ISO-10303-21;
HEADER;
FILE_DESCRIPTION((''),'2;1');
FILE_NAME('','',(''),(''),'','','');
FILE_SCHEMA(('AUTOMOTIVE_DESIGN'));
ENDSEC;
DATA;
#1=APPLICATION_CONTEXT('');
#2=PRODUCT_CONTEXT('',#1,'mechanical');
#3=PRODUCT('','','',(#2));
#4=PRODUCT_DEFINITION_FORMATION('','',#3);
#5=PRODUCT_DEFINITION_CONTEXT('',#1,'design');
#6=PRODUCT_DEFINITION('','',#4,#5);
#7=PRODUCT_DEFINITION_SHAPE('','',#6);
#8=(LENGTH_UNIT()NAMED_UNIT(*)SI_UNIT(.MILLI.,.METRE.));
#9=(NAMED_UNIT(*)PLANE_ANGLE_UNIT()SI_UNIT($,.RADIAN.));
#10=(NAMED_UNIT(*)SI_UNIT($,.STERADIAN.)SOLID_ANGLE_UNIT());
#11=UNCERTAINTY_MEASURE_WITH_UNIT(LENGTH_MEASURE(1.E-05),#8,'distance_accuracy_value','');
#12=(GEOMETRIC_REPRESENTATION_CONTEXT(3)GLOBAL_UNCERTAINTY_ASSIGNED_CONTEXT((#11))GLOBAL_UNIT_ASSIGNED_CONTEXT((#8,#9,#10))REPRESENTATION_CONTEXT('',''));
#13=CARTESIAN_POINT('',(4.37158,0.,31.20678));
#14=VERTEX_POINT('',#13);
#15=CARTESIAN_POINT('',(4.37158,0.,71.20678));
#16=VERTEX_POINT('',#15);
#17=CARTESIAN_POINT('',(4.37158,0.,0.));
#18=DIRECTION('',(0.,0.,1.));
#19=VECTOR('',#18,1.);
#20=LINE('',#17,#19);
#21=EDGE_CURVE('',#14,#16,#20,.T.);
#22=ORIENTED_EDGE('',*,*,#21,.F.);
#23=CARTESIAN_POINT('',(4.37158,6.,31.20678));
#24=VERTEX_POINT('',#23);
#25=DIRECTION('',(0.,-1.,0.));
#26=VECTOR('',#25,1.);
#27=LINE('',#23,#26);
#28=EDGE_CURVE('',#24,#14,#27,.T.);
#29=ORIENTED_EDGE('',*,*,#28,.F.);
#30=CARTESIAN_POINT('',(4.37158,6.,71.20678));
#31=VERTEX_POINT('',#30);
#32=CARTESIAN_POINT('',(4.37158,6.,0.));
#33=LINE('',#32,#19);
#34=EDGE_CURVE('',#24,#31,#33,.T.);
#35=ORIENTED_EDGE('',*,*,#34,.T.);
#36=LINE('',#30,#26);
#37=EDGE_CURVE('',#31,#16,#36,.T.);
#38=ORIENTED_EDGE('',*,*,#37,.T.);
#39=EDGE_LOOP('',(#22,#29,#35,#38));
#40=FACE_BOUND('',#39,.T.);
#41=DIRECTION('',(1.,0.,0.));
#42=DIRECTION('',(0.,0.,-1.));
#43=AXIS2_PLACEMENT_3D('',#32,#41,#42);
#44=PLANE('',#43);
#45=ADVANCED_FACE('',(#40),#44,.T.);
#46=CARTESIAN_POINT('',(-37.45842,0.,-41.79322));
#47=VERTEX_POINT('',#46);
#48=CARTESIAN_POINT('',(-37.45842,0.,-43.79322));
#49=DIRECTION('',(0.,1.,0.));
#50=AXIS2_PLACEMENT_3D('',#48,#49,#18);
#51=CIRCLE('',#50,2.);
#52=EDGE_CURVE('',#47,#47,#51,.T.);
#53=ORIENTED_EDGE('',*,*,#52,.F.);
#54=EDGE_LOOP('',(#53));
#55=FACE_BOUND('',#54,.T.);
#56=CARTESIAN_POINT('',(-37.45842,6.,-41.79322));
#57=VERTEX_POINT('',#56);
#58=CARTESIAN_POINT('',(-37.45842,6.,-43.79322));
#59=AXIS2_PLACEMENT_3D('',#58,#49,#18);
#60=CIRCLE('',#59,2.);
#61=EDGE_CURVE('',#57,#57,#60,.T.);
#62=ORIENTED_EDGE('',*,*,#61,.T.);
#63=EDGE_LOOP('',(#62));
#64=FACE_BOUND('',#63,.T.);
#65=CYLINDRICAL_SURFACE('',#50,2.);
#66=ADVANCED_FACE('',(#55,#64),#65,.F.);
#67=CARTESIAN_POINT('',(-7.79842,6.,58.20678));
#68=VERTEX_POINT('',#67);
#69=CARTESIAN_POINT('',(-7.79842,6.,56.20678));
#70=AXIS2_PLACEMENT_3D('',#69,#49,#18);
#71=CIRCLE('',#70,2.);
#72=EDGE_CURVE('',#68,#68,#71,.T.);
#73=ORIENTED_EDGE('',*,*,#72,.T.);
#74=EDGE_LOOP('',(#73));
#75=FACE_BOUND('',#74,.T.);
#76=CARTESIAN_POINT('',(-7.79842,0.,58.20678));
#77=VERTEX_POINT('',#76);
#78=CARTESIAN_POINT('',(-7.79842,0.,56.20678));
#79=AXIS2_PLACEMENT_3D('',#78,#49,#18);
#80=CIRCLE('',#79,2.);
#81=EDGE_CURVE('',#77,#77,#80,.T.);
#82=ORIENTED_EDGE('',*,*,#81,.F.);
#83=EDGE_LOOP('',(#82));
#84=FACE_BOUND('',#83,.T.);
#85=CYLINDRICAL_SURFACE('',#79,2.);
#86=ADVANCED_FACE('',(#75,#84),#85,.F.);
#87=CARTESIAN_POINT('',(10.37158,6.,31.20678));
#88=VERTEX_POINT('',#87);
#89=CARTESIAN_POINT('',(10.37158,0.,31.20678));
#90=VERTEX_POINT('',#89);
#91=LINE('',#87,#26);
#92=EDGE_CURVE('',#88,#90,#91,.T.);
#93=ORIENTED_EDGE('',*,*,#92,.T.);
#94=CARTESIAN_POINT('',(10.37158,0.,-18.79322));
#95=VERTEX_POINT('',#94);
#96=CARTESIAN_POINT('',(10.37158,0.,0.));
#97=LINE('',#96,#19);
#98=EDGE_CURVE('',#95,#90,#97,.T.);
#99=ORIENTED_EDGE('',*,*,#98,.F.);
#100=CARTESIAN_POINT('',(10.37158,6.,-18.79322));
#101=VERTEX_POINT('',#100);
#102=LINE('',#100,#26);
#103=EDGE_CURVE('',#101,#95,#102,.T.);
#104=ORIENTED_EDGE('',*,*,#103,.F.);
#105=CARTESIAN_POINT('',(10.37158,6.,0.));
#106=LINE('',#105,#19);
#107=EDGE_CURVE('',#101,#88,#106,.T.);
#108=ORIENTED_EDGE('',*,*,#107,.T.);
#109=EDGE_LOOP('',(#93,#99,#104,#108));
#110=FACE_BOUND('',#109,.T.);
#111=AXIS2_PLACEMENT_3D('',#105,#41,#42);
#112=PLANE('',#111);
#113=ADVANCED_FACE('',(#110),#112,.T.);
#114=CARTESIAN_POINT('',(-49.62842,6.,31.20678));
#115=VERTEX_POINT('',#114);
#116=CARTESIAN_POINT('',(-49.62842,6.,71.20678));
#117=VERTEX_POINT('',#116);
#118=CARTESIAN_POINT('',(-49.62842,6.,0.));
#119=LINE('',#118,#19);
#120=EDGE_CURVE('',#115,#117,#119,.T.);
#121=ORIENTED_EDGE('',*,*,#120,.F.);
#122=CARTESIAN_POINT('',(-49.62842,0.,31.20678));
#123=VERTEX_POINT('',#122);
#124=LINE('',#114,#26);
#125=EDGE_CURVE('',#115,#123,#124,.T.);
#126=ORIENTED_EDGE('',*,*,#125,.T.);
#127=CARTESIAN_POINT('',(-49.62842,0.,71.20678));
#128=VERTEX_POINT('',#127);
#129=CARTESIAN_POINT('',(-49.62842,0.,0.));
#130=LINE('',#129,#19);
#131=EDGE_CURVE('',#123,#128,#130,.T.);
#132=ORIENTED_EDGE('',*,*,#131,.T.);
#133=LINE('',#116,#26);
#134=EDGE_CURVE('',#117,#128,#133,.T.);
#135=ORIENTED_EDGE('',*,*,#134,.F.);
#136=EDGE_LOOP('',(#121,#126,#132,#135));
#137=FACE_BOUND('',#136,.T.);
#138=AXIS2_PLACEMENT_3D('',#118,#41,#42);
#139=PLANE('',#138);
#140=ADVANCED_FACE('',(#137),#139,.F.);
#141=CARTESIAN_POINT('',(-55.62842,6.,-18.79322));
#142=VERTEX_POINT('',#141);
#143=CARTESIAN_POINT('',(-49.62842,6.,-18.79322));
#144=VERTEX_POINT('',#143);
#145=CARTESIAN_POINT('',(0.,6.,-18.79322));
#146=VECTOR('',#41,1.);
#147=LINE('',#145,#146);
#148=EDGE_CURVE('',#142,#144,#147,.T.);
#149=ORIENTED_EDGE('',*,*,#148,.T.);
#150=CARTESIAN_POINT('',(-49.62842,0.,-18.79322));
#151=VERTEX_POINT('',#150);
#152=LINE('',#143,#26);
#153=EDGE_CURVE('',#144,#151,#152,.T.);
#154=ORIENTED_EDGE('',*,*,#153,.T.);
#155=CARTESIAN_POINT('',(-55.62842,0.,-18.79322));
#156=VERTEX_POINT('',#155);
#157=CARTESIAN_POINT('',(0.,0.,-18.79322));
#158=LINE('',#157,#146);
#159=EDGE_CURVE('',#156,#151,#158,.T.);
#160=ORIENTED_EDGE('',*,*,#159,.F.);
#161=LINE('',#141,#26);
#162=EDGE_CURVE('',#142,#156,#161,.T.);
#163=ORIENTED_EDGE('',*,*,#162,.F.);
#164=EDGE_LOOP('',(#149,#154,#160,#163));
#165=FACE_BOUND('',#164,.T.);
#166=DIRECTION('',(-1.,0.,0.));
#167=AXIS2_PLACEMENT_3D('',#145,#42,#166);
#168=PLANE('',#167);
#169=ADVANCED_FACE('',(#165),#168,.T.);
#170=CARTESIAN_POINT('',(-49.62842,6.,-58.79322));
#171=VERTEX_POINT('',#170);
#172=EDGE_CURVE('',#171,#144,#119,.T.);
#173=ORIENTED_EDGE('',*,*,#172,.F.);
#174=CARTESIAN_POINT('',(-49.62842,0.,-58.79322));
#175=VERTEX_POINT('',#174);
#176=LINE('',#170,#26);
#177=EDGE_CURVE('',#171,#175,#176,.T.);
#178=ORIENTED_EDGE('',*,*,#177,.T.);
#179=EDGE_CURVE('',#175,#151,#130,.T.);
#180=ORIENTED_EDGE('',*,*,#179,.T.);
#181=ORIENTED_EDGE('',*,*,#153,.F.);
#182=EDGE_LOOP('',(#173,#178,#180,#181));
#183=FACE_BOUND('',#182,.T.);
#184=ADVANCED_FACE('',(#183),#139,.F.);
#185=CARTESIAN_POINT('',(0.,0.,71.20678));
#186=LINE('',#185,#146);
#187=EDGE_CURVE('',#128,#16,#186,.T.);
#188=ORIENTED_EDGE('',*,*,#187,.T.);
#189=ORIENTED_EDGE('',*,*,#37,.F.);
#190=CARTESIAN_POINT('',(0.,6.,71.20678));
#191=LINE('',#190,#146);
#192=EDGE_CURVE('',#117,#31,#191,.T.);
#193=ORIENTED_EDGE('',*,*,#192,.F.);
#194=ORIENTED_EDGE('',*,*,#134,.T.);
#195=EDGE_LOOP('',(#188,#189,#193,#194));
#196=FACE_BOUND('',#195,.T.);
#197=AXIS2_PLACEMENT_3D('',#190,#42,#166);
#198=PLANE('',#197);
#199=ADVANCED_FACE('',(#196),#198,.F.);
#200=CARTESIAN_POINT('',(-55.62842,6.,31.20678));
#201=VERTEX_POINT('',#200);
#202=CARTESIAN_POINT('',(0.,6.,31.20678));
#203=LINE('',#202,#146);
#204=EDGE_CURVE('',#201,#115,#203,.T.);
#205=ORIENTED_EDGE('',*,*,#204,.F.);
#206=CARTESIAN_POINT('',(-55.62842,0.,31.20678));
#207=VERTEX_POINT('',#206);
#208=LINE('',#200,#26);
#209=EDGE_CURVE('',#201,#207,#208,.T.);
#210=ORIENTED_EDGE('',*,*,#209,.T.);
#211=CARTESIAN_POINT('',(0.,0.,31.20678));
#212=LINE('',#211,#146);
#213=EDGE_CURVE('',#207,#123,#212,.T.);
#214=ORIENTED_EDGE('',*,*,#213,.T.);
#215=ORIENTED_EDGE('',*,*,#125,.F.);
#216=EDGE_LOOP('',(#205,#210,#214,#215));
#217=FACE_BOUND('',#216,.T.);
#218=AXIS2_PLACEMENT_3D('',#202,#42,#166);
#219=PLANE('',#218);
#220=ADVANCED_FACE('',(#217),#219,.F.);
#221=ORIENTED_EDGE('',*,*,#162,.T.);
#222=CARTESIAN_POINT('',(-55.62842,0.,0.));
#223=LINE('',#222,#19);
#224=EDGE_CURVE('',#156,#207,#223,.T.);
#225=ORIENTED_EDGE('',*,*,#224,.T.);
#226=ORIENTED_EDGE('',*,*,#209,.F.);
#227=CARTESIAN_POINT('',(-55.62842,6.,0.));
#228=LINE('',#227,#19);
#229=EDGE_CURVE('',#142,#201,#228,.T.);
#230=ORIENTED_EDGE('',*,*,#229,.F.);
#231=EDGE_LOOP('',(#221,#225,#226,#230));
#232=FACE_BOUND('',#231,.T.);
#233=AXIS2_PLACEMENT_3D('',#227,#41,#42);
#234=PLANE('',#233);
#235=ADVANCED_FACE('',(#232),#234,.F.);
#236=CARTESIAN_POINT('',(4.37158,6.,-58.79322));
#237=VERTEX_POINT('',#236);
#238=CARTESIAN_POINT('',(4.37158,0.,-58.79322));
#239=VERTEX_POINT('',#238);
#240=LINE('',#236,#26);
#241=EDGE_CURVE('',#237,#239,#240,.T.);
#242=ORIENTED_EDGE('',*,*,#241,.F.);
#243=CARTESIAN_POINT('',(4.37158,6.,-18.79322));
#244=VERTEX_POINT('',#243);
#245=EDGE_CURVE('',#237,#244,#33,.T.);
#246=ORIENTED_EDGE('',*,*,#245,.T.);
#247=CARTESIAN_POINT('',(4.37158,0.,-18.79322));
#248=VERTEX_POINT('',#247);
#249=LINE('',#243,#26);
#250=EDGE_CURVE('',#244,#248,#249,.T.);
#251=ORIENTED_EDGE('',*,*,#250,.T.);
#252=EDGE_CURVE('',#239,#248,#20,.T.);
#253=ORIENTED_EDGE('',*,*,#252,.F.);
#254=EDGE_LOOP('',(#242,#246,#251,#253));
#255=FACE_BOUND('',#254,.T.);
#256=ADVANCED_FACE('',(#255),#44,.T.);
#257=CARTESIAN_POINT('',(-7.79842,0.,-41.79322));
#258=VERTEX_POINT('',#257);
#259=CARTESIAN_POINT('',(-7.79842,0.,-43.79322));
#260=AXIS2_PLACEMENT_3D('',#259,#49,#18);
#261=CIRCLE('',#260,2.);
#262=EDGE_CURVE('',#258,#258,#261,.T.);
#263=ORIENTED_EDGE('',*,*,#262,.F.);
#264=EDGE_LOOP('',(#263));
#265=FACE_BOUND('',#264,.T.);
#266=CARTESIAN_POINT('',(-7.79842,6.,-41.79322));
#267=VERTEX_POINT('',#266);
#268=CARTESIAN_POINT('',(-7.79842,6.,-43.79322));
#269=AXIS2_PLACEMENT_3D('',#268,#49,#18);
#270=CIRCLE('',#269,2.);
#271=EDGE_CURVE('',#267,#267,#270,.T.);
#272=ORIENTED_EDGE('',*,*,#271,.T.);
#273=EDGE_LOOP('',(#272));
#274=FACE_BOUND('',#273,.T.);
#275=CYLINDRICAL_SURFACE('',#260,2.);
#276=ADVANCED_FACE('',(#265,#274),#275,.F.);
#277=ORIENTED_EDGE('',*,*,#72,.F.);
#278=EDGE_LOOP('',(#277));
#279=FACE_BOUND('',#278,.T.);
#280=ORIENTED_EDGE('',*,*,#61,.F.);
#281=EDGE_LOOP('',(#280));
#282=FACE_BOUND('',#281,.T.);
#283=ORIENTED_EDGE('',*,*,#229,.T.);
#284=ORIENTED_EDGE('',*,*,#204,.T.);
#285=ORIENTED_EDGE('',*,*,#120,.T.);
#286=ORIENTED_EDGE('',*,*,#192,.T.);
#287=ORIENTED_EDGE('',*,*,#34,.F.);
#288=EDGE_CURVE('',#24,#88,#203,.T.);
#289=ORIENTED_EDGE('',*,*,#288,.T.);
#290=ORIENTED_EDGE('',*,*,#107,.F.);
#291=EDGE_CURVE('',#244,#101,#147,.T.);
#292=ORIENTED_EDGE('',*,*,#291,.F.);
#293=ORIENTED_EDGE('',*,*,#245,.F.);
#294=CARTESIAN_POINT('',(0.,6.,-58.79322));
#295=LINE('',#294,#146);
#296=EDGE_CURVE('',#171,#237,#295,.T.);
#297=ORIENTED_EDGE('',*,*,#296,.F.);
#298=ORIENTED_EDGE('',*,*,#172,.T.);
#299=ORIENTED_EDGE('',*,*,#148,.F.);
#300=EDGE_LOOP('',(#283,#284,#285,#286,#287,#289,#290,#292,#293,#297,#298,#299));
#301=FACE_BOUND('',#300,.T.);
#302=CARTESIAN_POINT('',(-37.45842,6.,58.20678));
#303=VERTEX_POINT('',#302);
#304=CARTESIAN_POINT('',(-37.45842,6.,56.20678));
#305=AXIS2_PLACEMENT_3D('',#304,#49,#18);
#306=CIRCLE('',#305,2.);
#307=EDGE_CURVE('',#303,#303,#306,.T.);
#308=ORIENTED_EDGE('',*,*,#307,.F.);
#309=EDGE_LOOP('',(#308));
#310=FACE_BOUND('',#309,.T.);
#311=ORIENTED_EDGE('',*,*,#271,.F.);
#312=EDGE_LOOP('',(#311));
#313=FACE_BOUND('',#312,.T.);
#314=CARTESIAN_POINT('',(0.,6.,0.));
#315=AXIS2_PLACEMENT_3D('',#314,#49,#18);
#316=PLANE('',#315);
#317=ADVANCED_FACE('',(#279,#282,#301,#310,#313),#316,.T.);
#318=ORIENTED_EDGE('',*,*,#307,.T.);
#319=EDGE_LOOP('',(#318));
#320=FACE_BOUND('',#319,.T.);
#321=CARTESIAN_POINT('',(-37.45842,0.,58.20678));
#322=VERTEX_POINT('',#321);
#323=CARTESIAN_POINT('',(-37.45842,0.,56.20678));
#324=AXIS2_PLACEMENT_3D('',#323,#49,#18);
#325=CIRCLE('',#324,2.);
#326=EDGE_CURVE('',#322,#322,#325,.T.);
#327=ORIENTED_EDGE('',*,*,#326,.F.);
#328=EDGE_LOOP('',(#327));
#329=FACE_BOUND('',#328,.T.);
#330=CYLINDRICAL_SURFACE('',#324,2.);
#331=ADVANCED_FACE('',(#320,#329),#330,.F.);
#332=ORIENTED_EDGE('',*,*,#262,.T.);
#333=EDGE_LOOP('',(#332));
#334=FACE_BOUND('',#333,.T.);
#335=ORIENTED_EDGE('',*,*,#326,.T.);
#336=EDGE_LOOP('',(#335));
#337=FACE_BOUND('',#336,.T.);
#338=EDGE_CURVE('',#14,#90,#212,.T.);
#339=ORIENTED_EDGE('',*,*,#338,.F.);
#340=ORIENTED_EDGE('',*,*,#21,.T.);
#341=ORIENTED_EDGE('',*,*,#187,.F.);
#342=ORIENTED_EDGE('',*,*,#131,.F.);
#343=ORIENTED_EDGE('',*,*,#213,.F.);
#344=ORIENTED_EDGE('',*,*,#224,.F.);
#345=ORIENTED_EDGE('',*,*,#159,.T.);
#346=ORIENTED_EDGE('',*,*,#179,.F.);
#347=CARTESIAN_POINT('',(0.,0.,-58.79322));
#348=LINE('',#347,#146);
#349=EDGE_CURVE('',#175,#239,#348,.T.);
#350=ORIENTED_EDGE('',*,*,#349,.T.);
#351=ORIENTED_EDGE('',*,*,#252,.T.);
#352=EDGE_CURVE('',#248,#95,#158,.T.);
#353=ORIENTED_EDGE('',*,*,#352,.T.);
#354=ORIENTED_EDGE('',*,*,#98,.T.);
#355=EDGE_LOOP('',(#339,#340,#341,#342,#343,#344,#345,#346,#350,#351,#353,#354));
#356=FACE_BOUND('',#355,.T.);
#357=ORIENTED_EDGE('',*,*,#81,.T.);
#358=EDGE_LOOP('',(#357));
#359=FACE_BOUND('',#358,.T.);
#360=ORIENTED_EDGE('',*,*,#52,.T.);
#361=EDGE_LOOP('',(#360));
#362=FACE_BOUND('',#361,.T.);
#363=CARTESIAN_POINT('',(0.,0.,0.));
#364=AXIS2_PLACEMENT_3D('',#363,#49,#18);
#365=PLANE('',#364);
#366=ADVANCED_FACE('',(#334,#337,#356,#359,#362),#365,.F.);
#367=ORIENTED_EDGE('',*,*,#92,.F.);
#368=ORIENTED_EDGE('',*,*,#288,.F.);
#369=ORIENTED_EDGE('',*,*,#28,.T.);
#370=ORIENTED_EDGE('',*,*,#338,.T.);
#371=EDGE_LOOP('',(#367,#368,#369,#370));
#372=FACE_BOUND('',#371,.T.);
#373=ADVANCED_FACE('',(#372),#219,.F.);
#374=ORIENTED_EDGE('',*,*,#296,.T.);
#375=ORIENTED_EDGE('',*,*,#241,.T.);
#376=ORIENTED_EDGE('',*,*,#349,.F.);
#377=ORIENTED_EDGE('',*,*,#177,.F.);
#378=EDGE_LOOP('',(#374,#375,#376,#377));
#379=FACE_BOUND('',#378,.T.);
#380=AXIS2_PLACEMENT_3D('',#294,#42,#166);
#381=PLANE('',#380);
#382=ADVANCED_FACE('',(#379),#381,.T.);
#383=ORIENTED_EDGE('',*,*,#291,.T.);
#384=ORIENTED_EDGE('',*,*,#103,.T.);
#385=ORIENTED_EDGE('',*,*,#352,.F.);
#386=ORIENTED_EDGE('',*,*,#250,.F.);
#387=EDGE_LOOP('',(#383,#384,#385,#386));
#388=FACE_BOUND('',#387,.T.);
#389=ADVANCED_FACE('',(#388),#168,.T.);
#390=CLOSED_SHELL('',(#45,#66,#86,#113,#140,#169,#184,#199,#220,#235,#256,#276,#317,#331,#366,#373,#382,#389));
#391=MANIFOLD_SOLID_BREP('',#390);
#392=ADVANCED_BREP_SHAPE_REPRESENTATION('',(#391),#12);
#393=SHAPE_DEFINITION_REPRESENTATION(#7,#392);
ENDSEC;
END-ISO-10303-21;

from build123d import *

# Parameters (mm, degrees)
BOSS_EXTRUDE1_DEPTH = 6
SKETCH2_R           = 2
CUT_EXTRUDE1_DEPTH  = 91.558967542


with BuildPart() as part:
    # Sketch1 → Boss-Extrude1 (new body)
    with BuildSketch(Plane(origin=(0, 0, 0), x_dir=(1, 0, 0), z_dir=(0, 1, 0))):
        Polygon((4.371579812, 18.793220339), (4.371579812, 58.793220339), (-49.628420188, 58.793220339), (-49.628420188, 18.793220339), (-55.628420188, 18.793220339), (-55.628420188, -31.206779661), (-49.628420188, -31.206779661), (-49.628420188, -71.206779661), (4.371579812, -71.206779661), (4.371579812, -31.206779661), (10.371579812, -31.206779661), (10.371579812, 18.793220339), align=None)
    extrude(amount=BOSS_EXTRUDE1_DEPTH)

    # Sketch2 → Cut-Extrude1 (cut, through all)
    with BuildSketch(Plane(origin=(0, 6, 0), x_dir=(1, 0, 0), z_dir=(0, 1, 0))):
        with Locations(Location((-7.798420188, -56.206779661, 0), (0, 0, 270))):
            Circle(SKETCH2_R)
        with Locations(Location((-7.798420188, 43.793220339, 0), (0, 0, 270))):
            Circle(SKETCH2_R)
        with Locations(Location((-37.458420188, 43.793220339, 0), (0, 0, 270))):
            Circle(SKETCH2_R)
        with Locations(Location((-37.458420188, -56.206779661, 0), (0, 0, 270))):
            Circle(SKETCH2_R)
    extrude(amount=-CUT_EXTRUDE1_DEPTH, mode=Mode.SUBTRACT)


solid = part.part
